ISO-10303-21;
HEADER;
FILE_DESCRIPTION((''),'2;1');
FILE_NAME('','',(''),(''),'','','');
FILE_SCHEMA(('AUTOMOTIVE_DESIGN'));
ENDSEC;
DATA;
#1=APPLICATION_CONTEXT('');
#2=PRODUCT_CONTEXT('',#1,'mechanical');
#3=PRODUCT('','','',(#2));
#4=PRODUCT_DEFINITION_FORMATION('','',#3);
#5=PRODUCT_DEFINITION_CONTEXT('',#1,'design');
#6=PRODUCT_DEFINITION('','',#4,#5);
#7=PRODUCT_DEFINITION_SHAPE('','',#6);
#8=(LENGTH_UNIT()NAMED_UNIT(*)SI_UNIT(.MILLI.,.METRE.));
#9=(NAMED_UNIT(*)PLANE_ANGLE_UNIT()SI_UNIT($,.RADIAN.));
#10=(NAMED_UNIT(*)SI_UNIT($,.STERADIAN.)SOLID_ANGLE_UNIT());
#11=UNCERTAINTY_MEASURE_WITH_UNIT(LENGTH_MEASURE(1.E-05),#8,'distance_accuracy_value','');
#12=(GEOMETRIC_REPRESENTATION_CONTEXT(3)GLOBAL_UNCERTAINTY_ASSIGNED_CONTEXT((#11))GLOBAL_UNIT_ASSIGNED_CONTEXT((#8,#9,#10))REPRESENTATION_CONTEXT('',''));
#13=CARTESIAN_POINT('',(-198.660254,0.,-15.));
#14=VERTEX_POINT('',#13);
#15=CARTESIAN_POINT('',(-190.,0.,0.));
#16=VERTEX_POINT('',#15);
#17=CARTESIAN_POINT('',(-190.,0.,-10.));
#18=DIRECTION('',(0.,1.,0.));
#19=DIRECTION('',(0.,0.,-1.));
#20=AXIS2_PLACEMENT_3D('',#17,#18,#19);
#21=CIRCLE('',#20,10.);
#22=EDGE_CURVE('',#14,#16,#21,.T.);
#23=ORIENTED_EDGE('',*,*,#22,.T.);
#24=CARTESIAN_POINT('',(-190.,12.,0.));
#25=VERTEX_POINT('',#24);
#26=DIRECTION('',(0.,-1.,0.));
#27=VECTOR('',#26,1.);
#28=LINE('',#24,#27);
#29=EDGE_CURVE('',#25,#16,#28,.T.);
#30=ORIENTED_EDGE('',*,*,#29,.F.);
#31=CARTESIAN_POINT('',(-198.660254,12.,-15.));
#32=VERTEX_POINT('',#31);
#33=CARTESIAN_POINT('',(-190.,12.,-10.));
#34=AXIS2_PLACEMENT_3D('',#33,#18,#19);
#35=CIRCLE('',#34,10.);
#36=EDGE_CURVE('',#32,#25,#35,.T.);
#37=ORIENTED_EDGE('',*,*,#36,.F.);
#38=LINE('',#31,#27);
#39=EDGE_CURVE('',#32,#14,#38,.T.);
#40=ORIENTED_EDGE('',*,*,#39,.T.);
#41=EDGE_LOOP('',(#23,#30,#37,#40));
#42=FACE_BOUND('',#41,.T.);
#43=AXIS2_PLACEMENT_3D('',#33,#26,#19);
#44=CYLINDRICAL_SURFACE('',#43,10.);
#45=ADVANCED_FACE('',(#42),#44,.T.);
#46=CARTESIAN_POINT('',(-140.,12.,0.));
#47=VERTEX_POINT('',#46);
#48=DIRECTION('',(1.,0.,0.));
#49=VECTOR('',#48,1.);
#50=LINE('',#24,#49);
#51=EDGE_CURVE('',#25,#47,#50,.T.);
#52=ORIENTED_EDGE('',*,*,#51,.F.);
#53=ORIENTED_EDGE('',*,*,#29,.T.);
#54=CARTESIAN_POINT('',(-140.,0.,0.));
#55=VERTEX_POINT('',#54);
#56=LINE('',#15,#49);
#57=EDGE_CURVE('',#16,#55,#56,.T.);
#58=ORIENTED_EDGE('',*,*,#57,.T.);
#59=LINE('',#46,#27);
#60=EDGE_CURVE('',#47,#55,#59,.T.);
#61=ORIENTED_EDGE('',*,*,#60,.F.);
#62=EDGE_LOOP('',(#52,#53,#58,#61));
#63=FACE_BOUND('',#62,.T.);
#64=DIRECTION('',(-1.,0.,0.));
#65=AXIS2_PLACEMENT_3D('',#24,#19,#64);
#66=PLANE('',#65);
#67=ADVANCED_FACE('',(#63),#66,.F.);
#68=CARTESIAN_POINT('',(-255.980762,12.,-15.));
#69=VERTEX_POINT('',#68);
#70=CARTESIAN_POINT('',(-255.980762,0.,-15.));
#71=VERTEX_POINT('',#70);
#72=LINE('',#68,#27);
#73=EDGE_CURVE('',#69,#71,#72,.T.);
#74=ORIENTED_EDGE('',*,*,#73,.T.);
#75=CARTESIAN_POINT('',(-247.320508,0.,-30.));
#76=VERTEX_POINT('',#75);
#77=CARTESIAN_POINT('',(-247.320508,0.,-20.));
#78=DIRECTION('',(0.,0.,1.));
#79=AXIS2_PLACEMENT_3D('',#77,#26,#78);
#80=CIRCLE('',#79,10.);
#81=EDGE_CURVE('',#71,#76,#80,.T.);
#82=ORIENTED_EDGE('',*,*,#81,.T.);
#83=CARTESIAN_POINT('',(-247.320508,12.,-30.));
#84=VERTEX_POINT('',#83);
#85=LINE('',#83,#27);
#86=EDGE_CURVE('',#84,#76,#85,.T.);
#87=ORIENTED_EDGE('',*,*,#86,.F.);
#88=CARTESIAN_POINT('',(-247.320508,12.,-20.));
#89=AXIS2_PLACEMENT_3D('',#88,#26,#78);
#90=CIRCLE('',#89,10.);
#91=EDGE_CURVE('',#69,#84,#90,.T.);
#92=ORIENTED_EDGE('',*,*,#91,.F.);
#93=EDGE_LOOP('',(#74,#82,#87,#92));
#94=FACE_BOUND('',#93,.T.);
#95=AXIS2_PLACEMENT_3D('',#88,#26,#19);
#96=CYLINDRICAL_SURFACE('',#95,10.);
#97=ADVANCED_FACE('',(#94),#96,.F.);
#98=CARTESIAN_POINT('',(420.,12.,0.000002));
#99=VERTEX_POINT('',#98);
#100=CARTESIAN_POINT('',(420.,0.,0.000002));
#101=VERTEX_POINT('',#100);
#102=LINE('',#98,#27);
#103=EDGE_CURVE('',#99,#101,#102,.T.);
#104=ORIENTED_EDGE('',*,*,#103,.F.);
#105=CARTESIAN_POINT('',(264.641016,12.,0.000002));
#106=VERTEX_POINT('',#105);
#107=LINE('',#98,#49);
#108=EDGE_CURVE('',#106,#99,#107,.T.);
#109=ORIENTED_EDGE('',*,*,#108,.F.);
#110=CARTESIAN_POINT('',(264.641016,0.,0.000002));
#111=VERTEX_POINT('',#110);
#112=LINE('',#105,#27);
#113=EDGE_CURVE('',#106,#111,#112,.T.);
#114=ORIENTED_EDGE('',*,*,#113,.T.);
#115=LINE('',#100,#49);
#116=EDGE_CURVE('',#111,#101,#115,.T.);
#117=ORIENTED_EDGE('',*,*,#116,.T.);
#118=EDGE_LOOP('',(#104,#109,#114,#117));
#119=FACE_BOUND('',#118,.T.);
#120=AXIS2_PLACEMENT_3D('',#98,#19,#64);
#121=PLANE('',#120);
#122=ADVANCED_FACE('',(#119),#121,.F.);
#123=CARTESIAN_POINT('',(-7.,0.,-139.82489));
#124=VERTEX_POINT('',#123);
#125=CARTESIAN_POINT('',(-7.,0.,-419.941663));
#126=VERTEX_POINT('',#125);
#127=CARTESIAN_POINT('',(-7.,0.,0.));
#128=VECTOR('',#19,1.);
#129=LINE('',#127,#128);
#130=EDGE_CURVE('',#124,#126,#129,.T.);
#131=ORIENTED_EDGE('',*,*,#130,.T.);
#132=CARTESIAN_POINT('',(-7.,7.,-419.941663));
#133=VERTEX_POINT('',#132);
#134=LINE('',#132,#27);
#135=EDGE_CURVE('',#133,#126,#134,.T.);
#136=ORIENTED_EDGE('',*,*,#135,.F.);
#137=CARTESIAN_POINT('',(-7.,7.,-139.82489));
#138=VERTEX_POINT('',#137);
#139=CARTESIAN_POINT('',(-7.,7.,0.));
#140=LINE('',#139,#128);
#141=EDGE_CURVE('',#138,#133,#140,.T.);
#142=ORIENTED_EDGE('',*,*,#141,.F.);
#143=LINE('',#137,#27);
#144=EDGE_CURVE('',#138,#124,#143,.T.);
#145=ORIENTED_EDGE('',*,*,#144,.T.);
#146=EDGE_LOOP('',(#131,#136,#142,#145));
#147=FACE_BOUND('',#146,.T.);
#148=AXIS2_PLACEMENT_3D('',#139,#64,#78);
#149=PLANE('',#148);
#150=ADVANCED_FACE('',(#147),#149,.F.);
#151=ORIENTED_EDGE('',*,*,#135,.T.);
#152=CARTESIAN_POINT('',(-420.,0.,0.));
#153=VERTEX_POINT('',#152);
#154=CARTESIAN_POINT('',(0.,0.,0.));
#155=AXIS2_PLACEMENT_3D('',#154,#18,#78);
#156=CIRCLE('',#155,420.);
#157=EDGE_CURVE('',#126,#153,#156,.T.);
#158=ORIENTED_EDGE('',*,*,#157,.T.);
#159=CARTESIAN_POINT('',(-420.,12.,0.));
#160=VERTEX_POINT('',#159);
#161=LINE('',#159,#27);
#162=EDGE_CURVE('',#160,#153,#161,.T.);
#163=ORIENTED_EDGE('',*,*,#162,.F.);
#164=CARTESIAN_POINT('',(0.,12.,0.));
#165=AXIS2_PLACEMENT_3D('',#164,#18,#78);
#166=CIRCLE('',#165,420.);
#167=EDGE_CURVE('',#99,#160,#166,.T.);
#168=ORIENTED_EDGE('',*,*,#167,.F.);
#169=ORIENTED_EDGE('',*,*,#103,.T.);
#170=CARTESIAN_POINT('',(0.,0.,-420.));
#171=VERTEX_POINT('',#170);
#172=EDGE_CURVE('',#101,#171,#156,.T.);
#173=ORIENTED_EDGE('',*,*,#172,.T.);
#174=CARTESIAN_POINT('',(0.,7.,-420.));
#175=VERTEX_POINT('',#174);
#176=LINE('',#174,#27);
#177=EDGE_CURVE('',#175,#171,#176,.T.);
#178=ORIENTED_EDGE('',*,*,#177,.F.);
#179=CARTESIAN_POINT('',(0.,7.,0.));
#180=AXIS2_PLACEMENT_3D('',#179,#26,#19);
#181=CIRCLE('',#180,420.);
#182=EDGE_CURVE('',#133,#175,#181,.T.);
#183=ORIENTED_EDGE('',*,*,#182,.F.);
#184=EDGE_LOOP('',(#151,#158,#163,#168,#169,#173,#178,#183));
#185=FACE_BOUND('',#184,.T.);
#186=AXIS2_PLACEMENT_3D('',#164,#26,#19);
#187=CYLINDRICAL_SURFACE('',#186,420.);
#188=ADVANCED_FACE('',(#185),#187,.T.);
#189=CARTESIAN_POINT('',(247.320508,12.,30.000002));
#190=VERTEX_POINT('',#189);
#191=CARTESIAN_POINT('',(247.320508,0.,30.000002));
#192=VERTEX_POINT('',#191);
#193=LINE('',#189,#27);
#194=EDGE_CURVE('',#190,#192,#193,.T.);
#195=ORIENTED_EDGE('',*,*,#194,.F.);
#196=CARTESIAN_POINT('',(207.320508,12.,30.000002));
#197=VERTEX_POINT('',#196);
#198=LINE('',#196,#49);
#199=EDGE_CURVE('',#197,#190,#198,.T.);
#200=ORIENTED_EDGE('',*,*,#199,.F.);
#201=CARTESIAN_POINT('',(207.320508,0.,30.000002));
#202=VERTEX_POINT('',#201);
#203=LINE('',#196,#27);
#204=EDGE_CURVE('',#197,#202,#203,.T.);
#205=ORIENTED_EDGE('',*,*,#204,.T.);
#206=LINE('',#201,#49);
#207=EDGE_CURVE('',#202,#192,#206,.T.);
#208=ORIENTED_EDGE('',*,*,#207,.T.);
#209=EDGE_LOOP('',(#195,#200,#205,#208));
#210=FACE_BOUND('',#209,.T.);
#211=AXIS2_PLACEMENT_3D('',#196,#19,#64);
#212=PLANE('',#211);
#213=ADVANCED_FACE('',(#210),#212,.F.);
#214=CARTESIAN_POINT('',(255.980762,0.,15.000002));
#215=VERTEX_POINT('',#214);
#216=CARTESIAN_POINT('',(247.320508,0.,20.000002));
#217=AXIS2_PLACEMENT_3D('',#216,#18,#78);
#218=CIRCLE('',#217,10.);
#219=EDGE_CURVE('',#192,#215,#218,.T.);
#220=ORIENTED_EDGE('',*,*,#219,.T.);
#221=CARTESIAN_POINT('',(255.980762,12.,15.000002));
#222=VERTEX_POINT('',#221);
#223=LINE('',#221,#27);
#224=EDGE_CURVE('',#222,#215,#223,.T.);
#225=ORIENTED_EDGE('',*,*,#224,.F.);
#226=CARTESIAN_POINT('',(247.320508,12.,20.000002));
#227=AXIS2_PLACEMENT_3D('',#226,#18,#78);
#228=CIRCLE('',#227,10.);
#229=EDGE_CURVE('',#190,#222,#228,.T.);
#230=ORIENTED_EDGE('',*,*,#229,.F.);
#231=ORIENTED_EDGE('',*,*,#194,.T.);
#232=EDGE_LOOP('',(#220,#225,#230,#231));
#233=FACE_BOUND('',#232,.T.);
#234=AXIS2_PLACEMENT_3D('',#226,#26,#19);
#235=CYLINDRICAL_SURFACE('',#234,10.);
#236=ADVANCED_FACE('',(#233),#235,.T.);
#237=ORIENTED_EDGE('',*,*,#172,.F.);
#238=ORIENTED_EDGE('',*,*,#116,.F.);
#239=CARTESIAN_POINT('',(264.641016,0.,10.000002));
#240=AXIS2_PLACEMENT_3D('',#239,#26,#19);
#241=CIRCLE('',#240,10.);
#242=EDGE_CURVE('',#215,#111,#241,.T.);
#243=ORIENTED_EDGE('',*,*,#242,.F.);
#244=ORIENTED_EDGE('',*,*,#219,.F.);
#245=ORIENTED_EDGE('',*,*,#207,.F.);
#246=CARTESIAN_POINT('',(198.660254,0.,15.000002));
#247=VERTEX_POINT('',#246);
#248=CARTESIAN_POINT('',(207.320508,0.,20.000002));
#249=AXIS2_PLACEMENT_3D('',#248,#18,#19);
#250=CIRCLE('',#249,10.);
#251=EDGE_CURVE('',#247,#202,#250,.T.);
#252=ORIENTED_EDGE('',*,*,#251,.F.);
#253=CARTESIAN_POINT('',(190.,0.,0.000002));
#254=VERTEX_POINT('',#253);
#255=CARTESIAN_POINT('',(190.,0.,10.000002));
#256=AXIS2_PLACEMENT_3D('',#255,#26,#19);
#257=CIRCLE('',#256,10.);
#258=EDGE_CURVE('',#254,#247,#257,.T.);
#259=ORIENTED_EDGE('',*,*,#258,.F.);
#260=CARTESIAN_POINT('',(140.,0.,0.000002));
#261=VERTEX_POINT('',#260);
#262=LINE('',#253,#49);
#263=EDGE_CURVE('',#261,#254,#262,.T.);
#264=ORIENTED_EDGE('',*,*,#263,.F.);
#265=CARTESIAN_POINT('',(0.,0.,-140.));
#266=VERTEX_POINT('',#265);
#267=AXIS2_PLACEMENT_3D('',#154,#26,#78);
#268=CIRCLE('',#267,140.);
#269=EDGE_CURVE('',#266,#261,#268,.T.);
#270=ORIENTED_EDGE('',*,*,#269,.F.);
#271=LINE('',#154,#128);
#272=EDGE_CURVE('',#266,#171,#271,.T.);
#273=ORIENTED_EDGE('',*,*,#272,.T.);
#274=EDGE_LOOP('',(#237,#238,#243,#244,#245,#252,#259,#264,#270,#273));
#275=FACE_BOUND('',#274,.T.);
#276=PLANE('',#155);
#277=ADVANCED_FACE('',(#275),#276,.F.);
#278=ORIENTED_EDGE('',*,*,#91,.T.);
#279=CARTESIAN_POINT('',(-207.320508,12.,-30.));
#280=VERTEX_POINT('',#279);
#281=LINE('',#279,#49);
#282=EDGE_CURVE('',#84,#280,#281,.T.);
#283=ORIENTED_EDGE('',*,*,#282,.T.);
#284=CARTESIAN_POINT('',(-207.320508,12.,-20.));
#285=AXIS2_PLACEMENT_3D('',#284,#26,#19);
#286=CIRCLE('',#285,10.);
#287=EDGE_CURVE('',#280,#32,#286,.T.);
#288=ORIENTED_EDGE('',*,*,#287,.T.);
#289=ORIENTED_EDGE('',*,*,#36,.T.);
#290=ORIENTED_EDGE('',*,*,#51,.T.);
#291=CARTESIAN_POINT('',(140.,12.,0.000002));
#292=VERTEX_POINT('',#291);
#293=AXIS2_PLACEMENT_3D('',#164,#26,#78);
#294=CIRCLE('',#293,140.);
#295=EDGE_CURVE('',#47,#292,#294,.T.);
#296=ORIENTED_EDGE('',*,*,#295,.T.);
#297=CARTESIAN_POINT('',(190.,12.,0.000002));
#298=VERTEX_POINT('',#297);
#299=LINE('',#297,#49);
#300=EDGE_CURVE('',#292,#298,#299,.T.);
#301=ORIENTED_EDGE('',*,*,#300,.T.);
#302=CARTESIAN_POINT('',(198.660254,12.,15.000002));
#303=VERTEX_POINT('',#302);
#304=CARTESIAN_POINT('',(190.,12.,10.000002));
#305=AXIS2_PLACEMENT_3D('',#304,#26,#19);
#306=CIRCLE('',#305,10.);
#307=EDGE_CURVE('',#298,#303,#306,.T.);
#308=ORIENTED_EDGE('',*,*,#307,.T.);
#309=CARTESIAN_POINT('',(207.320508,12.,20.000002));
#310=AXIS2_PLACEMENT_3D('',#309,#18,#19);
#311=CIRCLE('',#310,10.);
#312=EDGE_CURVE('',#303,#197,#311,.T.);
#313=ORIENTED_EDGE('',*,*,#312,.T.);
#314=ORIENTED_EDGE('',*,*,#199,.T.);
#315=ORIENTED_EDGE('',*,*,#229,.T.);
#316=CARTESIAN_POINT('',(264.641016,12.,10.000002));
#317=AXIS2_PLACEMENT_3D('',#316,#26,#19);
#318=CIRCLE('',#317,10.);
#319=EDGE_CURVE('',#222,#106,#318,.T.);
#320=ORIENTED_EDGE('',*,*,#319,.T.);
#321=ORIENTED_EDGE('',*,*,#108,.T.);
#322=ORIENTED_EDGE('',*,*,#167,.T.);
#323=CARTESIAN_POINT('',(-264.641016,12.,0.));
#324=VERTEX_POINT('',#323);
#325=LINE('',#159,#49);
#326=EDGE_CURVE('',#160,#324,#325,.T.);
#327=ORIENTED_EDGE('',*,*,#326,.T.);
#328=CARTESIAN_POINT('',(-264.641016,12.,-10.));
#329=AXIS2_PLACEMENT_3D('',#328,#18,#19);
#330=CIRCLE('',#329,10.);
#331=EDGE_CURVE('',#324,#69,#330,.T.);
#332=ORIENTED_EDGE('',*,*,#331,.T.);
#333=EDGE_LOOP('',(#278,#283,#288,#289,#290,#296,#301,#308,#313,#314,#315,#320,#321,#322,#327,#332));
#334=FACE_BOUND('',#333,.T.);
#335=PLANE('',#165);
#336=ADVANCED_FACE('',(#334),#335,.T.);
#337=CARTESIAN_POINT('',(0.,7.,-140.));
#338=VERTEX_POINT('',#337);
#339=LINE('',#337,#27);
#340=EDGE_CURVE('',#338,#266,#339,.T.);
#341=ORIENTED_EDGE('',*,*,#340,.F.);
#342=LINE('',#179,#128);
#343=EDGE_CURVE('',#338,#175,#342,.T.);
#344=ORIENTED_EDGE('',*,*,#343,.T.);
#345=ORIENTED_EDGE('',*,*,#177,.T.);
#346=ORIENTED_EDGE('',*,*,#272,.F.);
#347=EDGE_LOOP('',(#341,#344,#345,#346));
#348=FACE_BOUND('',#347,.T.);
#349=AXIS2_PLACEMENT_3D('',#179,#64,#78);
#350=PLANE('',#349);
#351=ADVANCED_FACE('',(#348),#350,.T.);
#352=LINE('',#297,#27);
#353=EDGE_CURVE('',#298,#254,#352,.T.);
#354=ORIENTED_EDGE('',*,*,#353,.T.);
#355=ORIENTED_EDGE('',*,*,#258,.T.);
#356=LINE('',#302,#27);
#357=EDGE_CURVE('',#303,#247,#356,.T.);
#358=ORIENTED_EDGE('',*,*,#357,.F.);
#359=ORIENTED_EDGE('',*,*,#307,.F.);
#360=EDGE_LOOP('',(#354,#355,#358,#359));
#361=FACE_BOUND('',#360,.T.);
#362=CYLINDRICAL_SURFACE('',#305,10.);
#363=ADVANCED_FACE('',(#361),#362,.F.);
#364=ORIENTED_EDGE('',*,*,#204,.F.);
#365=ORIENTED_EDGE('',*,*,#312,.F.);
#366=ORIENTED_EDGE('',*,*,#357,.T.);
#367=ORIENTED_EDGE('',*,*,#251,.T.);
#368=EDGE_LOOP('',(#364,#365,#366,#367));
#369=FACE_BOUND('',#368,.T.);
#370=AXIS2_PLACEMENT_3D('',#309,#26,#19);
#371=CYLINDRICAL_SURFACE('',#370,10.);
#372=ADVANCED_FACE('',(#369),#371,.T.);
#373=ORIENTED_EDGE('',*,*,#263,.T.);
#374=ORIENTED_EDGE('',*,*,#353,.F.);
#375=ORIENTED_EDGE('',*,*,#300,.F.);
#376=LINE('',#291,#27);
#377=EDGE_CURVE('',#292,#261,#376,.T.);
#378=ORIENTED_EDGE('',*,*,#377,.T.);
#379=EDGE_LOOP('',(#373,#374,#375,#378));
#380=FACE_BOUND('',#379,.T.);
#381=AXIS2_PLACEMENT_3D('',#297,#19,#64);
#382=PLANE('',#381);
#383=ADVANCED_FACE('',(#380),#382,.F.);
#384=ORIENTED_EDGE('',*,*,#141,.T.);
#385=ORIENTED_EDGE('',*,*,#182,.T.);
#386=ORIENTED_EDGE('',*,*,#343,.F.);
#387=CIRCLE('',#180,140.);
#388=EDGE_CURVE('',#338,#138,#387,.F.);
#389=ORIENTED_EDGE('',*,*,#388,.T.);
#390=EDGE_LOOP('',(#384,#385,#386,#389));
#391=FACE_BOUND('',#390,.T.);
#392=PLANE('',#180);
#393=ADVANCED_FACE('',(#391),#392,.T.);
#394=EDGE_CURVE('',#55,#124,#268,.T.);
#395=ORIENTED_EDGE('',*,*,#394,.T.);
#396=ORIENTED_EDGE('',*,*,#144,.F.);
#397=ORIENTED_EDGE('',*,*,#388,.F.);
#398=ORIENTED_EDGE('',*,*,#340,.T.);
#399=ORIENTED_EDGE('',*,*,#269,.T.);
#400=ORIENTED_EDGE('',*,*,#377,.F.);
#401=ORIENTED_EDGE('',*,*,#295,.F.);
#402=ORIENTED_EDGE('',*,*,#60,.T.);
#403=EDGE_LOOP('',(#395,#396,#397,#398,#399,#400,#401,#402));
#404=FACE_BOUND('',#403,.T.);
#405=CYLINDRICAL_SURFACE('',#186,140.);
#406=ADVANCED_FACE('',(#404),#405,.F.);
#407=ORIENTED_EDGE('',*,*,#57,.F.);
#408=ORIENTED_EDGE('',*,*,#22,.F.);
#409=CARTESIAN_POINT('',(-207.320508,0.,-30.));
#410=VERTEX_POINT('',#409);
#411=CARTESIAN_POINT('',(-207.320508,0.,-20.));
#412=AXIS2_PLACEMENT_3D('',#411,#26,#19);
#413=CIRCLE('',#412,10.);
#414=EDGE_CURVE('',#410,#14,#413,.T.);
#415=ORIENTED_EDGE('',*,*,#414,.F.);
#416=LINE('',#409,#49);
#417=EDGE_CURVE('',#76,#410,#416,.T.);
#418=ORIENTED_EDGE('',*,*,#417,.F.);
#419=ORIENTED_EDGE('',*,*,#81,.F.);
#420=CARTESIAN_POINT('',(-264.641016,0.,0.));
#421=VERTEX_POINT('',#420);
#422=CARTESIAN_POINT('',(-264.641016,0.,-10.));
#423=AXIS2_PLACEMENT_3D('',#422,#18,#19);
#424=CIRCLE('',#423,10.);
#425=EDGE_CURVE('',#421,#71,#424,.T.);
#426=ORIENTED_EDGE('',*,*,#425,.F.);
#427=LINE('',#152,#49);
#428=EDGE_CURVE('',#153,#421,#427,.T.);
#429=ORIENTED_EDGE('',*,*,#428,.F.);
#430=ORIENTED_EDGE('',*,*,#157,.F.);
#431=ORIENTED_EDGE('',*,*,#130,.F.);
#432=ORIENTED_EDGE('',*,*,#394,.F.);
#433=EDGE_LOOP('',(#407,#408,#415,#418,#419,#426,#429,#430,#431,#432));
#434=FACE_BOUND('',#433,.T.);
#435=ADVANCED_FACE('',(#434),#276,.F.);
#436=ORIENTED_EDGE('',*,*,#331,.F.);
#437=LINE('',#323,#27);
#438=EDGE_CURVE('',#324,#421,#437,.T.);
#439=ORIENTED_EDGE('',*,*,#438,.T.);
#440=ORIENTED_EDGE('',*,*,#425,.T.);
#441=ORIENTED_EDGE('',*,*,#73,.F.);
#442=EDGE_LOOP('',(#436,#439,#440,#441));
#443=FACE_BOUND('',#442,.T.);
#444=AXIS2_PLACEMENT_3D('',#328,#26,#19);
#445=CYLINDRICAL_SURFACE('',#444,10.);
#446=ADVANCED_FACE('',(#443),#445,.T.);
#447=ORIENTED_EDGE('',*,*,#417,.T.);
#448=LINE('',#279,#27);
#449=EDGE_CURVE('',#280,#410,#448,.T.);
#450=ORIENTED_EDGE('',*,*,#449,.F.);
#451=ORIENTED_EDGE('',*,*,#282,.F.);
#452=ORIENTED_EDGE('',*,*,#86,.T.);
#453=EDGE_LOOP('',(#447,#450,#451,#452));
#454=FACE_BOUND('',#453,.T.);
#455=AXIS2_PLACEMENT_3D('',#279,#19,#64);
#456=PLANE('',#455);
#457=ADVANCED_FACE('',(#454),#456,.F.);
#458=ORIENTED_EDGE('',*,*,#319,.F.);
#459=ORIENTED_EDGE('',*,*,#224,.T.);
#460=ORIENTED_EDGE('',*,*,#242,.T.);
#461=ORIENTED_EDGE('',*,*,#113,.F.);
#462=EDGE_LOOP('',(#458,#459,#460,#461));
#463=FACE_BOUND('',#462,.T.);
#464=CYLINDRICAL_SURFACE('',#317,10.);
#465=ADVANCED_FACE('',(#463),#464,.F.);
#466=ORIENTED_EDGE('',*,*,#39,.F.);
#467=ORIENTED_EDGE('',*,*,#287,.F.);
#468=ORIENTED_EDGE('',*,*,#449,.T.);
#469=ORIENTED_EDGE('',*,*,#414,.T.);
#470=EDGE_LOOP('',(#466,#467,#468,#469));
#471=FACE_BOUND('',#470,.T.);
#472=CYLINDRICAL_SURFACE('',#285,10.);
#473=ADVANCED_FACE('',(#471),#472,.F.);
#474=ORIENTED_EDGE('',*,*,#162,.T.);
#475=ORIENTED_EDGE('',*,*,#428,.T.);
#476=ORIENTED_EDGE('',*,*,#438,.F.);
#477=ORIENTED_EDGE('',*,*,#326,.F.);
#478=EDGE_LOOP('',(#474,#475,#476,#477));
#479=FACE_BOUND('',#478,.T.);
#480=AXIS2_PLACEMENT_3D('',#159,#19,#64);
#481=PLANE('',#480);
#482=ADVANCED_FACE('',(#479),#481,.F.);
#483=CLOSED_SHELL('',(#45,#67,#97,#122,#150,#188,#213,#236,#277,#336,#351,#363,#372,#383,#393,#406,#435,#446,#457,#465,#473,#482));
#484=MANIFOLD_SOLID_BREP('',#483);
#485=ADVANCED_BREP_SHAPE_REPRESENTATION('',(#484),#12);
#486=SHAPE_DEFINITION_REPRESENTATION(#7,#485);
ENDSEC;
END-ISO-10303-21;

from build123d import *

# Parameters (mm, degrees)
BOSS_EXTRUDE1_DEPTH = 12
CUT_EXTRUDE1_DEPTH  = 7


with BuildPart() as part:
    # Sketch1 → Boss-Extrude1 (new body)
    with BuildSketch(Plane(origin=(0, 0, 0), x_dir=(1, 0, 0), z_dir=(0, 1, 0))):
        with BuildLine():
            Line((-420, 0), (-264.641016151, 0))
            ThreePointArc((-264.641016151, 0), (-255.980762114, 5), (-255.980762114, 15))
            ThreePointArc((-255.980762114, 15), (-255.980762114, 25), (-247.320508076, 30))
            Line((-247.320508076, 30), (-207.320508076, 30))
            ThreePointArc((-207.320508076, 30), (-198.660254038, 25), (-198.660254038, 15))
            ThreePointArc((-198.660254038, 15), (-198.660254038, 5), (-190, 0))
            Line((-190, 0), (-140, 0))
            ThreePointArc((-140, 0), (1.07e-06, 140), (140, -2.139e-06))
            Line((140, -2.139e-06), (190, -2.149e-06))
            ThreePointArc((190, -2.149e-06), (198.660254037, -5.000002151), (198.660254035, -15.000002151))
            ThreePointArc((198.660254035, -15.000002151), (198.660254033, -25.000002151), (207.32050807, -30.000002153))
            Line((207.32050807, -30.000002153), (247.32050807, -30.000002161))
            ThreePointArc((247.32050807, -30.000002161), (255.980762108, -25.000002163), (255.98076211, -15.000002163))
            ThreePointArc((255.98076211, -15.000002163), (255.980762113, -5.000002163), (264.641016151, -2.165e-06))
            Line((264.641016151, -2.165e-06), (420, -2.196e-06))
            ThreePointArc((420, -2.196e-06), (1.098e-06, 420), (-420, 0))
        make_face()
    extrude(amount=BOSS_EXTRUDE1_DEPTH)

    # Sketch2 → Cut-Extrude1 (cut)
    with BuildSketch(Plane.XZ):
        with BuildLine():
            ThreePointArc((0, -140), (-3.501094948, -139.956215775), (-7, -139.824890488))
            Line((-7, -139.824890488), (-7, -419.941662615))
            ThreePointArc((-7, -419.941662615), (-3.500121543, -419.985415401), (0, -420))
            Line((0, -420), (0, -140))
        make_face()
    extrude(amount=-CUT_EXTRUDE1_DEPTH, mode=Mode.SUBTRACT)


solid = part.part
